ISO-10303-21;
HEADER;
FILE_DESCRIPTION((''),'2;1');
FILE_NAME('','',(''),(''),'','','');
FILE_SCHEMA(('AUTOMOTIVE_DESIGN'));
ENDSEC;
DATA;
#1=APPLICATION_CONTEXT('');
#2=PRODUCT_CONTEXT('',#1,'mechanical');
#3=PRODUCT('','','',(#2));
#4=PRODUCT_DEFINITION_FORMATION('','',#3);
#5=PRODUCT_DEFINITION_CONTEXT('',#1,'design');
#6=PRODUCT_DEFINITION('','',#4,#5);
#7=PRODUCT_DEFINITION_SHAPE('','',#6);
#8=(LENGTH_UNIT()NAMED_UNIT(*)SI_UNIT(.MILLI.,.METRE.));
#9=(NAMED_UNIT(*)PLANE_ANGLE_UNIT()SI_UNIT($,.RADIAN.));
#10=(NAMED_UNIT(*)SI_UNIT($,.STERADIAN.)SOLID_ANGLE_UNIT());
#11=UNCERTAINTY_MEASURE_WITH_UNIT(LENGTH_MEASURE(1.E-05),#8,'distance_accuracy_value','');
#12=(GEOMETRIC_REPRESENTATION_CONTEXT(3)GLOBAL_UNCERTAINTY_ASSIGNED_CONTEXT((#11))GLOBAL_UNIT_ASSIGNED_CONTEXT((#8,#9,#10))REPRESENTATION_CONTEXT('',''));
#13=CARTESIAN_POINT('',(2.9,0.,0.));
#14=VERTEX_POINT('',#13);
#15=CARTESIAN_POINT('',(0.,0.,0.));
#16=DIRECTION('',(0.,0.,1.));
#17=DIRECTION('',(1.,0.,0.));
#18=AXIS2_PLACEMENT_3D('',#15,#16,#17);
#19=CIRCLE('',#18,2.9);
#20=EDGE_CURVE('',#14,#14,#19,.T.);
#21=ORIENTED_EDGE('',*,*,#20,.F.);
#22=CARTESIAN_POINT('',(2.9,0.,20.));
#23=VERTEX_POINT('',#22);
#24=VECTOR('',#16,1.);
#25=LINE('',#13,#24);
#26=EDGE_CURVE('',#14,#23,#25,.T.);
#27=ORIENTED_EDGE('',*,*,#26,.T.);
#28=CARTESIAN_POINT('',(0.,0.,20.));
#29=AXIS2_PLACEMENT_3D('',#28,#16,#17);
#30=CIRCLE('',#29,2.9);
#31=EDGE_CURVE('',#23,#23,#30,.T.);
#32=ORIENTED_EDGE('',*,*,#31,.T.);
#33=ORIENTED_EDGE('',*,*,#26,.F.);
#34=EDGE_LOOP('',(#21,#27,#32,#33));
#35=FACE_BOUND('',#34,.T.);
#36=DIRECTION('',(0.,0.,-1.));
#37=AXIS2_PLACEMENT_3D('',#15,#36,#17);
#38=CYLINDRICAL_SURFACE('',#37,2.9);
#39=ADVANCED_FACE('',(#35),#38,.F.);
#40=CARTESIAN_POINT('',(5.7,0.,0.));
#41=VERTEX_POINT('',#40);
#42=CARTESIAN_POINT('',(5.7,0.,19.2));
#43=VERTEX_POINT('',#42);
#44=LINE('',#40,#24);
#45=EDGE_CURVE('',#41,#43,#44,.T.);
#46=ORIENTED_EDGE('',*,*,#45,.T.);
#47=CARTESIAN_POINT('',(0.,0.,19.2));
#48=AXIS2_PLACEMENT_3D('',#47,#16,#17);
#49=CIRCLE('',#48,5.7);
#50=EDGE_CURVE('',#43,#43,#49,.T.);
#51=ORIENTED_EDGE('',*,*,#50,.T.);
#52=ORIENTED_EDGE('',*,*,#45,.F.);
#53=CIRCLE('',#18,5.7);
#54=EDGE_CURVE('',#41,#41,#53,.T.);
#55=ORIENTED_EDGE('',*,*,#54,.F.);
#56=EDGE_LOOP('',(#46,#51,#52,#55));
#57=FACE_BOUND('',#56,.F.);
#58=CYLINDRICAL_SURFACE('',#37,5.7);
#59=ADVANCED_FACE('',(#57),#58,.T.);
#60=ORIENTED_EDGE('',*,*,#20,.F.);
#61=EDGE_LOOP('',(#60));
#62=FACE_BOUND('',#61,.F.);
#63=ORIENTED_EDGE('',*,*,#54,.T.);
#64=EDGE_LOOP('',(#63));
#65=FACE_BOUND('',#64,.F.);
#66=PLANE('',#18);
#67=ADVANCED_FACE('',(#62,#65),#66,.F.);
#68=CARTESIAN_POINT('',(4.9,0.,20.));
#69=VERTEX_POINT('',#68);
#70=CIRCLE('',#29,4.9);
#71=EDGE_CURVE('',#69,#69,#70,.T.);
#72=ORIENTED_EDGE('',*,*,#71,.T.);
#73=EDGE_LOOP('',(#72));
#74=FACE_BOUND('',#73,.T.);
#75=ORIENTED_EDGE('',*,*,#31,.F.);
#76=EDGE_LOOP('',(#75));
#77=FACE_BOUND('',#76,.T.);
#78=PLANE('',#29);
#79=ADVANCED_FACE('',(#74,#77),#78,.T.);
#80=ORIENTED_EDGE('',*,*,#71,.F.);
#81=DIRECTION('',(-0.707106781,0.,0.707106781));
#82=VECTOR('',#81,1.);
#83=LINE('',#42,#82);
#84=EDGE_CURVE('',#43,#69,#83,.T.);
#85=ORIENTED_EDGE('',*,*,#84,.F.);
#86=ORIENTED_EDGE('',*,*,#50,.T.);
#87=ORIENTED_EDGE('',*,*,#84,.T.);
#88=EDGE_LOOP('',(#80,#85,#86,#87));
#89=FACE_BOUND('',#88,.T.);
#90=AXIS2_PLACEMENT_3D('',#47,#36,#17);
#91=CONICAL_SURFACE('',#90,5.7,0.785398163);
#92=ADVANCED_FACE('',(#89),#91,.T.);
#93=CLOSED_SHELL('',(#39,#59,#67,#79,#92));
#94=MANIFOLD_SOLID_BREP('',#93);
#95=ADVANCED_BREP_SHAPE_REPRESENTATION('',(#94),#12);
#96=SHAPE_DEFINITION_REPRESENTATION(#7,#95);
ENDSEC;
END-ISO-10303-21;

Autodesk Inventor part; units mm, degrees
ref_plane "YZ Plane" through (0, 0, 0) normal (1, 0, 0) x (0, 1, 0)
ref_plane "XZ Plane" through (0, 0, 0) normal (0, 1, 0) x (-1, 0, 0)
ref_plane "XY Plane" through (0, 0, 0) normal (0, 0, 1) x (1, 0, 0)
sketch "Sketch1" plane through (0, 0, 0) normal (0, 0, 1) x (1, 0, 0)
  circle A0 centre (0, 0) radius 5.7
  dimension "d0" = 11.4
extrude "Extrusion1" add sketch "Sketch1" along normal blind 20
chamfer "Chamfer1" distance 0.8 angle 45 1 edges at (-5.7, 0, 20)
sketch "Sketch2" plane through (0, 0, 0) normal (0, 0, 1) x (1, 0, 0)
  circle A0 centre (0, 0) radius 2.9
  dimension "d6" = 5.8
extrude "Extrusion2" cut sketch "Sketch2" along normal up to surface (20 mm away)
properties part number "Insert20mm"
